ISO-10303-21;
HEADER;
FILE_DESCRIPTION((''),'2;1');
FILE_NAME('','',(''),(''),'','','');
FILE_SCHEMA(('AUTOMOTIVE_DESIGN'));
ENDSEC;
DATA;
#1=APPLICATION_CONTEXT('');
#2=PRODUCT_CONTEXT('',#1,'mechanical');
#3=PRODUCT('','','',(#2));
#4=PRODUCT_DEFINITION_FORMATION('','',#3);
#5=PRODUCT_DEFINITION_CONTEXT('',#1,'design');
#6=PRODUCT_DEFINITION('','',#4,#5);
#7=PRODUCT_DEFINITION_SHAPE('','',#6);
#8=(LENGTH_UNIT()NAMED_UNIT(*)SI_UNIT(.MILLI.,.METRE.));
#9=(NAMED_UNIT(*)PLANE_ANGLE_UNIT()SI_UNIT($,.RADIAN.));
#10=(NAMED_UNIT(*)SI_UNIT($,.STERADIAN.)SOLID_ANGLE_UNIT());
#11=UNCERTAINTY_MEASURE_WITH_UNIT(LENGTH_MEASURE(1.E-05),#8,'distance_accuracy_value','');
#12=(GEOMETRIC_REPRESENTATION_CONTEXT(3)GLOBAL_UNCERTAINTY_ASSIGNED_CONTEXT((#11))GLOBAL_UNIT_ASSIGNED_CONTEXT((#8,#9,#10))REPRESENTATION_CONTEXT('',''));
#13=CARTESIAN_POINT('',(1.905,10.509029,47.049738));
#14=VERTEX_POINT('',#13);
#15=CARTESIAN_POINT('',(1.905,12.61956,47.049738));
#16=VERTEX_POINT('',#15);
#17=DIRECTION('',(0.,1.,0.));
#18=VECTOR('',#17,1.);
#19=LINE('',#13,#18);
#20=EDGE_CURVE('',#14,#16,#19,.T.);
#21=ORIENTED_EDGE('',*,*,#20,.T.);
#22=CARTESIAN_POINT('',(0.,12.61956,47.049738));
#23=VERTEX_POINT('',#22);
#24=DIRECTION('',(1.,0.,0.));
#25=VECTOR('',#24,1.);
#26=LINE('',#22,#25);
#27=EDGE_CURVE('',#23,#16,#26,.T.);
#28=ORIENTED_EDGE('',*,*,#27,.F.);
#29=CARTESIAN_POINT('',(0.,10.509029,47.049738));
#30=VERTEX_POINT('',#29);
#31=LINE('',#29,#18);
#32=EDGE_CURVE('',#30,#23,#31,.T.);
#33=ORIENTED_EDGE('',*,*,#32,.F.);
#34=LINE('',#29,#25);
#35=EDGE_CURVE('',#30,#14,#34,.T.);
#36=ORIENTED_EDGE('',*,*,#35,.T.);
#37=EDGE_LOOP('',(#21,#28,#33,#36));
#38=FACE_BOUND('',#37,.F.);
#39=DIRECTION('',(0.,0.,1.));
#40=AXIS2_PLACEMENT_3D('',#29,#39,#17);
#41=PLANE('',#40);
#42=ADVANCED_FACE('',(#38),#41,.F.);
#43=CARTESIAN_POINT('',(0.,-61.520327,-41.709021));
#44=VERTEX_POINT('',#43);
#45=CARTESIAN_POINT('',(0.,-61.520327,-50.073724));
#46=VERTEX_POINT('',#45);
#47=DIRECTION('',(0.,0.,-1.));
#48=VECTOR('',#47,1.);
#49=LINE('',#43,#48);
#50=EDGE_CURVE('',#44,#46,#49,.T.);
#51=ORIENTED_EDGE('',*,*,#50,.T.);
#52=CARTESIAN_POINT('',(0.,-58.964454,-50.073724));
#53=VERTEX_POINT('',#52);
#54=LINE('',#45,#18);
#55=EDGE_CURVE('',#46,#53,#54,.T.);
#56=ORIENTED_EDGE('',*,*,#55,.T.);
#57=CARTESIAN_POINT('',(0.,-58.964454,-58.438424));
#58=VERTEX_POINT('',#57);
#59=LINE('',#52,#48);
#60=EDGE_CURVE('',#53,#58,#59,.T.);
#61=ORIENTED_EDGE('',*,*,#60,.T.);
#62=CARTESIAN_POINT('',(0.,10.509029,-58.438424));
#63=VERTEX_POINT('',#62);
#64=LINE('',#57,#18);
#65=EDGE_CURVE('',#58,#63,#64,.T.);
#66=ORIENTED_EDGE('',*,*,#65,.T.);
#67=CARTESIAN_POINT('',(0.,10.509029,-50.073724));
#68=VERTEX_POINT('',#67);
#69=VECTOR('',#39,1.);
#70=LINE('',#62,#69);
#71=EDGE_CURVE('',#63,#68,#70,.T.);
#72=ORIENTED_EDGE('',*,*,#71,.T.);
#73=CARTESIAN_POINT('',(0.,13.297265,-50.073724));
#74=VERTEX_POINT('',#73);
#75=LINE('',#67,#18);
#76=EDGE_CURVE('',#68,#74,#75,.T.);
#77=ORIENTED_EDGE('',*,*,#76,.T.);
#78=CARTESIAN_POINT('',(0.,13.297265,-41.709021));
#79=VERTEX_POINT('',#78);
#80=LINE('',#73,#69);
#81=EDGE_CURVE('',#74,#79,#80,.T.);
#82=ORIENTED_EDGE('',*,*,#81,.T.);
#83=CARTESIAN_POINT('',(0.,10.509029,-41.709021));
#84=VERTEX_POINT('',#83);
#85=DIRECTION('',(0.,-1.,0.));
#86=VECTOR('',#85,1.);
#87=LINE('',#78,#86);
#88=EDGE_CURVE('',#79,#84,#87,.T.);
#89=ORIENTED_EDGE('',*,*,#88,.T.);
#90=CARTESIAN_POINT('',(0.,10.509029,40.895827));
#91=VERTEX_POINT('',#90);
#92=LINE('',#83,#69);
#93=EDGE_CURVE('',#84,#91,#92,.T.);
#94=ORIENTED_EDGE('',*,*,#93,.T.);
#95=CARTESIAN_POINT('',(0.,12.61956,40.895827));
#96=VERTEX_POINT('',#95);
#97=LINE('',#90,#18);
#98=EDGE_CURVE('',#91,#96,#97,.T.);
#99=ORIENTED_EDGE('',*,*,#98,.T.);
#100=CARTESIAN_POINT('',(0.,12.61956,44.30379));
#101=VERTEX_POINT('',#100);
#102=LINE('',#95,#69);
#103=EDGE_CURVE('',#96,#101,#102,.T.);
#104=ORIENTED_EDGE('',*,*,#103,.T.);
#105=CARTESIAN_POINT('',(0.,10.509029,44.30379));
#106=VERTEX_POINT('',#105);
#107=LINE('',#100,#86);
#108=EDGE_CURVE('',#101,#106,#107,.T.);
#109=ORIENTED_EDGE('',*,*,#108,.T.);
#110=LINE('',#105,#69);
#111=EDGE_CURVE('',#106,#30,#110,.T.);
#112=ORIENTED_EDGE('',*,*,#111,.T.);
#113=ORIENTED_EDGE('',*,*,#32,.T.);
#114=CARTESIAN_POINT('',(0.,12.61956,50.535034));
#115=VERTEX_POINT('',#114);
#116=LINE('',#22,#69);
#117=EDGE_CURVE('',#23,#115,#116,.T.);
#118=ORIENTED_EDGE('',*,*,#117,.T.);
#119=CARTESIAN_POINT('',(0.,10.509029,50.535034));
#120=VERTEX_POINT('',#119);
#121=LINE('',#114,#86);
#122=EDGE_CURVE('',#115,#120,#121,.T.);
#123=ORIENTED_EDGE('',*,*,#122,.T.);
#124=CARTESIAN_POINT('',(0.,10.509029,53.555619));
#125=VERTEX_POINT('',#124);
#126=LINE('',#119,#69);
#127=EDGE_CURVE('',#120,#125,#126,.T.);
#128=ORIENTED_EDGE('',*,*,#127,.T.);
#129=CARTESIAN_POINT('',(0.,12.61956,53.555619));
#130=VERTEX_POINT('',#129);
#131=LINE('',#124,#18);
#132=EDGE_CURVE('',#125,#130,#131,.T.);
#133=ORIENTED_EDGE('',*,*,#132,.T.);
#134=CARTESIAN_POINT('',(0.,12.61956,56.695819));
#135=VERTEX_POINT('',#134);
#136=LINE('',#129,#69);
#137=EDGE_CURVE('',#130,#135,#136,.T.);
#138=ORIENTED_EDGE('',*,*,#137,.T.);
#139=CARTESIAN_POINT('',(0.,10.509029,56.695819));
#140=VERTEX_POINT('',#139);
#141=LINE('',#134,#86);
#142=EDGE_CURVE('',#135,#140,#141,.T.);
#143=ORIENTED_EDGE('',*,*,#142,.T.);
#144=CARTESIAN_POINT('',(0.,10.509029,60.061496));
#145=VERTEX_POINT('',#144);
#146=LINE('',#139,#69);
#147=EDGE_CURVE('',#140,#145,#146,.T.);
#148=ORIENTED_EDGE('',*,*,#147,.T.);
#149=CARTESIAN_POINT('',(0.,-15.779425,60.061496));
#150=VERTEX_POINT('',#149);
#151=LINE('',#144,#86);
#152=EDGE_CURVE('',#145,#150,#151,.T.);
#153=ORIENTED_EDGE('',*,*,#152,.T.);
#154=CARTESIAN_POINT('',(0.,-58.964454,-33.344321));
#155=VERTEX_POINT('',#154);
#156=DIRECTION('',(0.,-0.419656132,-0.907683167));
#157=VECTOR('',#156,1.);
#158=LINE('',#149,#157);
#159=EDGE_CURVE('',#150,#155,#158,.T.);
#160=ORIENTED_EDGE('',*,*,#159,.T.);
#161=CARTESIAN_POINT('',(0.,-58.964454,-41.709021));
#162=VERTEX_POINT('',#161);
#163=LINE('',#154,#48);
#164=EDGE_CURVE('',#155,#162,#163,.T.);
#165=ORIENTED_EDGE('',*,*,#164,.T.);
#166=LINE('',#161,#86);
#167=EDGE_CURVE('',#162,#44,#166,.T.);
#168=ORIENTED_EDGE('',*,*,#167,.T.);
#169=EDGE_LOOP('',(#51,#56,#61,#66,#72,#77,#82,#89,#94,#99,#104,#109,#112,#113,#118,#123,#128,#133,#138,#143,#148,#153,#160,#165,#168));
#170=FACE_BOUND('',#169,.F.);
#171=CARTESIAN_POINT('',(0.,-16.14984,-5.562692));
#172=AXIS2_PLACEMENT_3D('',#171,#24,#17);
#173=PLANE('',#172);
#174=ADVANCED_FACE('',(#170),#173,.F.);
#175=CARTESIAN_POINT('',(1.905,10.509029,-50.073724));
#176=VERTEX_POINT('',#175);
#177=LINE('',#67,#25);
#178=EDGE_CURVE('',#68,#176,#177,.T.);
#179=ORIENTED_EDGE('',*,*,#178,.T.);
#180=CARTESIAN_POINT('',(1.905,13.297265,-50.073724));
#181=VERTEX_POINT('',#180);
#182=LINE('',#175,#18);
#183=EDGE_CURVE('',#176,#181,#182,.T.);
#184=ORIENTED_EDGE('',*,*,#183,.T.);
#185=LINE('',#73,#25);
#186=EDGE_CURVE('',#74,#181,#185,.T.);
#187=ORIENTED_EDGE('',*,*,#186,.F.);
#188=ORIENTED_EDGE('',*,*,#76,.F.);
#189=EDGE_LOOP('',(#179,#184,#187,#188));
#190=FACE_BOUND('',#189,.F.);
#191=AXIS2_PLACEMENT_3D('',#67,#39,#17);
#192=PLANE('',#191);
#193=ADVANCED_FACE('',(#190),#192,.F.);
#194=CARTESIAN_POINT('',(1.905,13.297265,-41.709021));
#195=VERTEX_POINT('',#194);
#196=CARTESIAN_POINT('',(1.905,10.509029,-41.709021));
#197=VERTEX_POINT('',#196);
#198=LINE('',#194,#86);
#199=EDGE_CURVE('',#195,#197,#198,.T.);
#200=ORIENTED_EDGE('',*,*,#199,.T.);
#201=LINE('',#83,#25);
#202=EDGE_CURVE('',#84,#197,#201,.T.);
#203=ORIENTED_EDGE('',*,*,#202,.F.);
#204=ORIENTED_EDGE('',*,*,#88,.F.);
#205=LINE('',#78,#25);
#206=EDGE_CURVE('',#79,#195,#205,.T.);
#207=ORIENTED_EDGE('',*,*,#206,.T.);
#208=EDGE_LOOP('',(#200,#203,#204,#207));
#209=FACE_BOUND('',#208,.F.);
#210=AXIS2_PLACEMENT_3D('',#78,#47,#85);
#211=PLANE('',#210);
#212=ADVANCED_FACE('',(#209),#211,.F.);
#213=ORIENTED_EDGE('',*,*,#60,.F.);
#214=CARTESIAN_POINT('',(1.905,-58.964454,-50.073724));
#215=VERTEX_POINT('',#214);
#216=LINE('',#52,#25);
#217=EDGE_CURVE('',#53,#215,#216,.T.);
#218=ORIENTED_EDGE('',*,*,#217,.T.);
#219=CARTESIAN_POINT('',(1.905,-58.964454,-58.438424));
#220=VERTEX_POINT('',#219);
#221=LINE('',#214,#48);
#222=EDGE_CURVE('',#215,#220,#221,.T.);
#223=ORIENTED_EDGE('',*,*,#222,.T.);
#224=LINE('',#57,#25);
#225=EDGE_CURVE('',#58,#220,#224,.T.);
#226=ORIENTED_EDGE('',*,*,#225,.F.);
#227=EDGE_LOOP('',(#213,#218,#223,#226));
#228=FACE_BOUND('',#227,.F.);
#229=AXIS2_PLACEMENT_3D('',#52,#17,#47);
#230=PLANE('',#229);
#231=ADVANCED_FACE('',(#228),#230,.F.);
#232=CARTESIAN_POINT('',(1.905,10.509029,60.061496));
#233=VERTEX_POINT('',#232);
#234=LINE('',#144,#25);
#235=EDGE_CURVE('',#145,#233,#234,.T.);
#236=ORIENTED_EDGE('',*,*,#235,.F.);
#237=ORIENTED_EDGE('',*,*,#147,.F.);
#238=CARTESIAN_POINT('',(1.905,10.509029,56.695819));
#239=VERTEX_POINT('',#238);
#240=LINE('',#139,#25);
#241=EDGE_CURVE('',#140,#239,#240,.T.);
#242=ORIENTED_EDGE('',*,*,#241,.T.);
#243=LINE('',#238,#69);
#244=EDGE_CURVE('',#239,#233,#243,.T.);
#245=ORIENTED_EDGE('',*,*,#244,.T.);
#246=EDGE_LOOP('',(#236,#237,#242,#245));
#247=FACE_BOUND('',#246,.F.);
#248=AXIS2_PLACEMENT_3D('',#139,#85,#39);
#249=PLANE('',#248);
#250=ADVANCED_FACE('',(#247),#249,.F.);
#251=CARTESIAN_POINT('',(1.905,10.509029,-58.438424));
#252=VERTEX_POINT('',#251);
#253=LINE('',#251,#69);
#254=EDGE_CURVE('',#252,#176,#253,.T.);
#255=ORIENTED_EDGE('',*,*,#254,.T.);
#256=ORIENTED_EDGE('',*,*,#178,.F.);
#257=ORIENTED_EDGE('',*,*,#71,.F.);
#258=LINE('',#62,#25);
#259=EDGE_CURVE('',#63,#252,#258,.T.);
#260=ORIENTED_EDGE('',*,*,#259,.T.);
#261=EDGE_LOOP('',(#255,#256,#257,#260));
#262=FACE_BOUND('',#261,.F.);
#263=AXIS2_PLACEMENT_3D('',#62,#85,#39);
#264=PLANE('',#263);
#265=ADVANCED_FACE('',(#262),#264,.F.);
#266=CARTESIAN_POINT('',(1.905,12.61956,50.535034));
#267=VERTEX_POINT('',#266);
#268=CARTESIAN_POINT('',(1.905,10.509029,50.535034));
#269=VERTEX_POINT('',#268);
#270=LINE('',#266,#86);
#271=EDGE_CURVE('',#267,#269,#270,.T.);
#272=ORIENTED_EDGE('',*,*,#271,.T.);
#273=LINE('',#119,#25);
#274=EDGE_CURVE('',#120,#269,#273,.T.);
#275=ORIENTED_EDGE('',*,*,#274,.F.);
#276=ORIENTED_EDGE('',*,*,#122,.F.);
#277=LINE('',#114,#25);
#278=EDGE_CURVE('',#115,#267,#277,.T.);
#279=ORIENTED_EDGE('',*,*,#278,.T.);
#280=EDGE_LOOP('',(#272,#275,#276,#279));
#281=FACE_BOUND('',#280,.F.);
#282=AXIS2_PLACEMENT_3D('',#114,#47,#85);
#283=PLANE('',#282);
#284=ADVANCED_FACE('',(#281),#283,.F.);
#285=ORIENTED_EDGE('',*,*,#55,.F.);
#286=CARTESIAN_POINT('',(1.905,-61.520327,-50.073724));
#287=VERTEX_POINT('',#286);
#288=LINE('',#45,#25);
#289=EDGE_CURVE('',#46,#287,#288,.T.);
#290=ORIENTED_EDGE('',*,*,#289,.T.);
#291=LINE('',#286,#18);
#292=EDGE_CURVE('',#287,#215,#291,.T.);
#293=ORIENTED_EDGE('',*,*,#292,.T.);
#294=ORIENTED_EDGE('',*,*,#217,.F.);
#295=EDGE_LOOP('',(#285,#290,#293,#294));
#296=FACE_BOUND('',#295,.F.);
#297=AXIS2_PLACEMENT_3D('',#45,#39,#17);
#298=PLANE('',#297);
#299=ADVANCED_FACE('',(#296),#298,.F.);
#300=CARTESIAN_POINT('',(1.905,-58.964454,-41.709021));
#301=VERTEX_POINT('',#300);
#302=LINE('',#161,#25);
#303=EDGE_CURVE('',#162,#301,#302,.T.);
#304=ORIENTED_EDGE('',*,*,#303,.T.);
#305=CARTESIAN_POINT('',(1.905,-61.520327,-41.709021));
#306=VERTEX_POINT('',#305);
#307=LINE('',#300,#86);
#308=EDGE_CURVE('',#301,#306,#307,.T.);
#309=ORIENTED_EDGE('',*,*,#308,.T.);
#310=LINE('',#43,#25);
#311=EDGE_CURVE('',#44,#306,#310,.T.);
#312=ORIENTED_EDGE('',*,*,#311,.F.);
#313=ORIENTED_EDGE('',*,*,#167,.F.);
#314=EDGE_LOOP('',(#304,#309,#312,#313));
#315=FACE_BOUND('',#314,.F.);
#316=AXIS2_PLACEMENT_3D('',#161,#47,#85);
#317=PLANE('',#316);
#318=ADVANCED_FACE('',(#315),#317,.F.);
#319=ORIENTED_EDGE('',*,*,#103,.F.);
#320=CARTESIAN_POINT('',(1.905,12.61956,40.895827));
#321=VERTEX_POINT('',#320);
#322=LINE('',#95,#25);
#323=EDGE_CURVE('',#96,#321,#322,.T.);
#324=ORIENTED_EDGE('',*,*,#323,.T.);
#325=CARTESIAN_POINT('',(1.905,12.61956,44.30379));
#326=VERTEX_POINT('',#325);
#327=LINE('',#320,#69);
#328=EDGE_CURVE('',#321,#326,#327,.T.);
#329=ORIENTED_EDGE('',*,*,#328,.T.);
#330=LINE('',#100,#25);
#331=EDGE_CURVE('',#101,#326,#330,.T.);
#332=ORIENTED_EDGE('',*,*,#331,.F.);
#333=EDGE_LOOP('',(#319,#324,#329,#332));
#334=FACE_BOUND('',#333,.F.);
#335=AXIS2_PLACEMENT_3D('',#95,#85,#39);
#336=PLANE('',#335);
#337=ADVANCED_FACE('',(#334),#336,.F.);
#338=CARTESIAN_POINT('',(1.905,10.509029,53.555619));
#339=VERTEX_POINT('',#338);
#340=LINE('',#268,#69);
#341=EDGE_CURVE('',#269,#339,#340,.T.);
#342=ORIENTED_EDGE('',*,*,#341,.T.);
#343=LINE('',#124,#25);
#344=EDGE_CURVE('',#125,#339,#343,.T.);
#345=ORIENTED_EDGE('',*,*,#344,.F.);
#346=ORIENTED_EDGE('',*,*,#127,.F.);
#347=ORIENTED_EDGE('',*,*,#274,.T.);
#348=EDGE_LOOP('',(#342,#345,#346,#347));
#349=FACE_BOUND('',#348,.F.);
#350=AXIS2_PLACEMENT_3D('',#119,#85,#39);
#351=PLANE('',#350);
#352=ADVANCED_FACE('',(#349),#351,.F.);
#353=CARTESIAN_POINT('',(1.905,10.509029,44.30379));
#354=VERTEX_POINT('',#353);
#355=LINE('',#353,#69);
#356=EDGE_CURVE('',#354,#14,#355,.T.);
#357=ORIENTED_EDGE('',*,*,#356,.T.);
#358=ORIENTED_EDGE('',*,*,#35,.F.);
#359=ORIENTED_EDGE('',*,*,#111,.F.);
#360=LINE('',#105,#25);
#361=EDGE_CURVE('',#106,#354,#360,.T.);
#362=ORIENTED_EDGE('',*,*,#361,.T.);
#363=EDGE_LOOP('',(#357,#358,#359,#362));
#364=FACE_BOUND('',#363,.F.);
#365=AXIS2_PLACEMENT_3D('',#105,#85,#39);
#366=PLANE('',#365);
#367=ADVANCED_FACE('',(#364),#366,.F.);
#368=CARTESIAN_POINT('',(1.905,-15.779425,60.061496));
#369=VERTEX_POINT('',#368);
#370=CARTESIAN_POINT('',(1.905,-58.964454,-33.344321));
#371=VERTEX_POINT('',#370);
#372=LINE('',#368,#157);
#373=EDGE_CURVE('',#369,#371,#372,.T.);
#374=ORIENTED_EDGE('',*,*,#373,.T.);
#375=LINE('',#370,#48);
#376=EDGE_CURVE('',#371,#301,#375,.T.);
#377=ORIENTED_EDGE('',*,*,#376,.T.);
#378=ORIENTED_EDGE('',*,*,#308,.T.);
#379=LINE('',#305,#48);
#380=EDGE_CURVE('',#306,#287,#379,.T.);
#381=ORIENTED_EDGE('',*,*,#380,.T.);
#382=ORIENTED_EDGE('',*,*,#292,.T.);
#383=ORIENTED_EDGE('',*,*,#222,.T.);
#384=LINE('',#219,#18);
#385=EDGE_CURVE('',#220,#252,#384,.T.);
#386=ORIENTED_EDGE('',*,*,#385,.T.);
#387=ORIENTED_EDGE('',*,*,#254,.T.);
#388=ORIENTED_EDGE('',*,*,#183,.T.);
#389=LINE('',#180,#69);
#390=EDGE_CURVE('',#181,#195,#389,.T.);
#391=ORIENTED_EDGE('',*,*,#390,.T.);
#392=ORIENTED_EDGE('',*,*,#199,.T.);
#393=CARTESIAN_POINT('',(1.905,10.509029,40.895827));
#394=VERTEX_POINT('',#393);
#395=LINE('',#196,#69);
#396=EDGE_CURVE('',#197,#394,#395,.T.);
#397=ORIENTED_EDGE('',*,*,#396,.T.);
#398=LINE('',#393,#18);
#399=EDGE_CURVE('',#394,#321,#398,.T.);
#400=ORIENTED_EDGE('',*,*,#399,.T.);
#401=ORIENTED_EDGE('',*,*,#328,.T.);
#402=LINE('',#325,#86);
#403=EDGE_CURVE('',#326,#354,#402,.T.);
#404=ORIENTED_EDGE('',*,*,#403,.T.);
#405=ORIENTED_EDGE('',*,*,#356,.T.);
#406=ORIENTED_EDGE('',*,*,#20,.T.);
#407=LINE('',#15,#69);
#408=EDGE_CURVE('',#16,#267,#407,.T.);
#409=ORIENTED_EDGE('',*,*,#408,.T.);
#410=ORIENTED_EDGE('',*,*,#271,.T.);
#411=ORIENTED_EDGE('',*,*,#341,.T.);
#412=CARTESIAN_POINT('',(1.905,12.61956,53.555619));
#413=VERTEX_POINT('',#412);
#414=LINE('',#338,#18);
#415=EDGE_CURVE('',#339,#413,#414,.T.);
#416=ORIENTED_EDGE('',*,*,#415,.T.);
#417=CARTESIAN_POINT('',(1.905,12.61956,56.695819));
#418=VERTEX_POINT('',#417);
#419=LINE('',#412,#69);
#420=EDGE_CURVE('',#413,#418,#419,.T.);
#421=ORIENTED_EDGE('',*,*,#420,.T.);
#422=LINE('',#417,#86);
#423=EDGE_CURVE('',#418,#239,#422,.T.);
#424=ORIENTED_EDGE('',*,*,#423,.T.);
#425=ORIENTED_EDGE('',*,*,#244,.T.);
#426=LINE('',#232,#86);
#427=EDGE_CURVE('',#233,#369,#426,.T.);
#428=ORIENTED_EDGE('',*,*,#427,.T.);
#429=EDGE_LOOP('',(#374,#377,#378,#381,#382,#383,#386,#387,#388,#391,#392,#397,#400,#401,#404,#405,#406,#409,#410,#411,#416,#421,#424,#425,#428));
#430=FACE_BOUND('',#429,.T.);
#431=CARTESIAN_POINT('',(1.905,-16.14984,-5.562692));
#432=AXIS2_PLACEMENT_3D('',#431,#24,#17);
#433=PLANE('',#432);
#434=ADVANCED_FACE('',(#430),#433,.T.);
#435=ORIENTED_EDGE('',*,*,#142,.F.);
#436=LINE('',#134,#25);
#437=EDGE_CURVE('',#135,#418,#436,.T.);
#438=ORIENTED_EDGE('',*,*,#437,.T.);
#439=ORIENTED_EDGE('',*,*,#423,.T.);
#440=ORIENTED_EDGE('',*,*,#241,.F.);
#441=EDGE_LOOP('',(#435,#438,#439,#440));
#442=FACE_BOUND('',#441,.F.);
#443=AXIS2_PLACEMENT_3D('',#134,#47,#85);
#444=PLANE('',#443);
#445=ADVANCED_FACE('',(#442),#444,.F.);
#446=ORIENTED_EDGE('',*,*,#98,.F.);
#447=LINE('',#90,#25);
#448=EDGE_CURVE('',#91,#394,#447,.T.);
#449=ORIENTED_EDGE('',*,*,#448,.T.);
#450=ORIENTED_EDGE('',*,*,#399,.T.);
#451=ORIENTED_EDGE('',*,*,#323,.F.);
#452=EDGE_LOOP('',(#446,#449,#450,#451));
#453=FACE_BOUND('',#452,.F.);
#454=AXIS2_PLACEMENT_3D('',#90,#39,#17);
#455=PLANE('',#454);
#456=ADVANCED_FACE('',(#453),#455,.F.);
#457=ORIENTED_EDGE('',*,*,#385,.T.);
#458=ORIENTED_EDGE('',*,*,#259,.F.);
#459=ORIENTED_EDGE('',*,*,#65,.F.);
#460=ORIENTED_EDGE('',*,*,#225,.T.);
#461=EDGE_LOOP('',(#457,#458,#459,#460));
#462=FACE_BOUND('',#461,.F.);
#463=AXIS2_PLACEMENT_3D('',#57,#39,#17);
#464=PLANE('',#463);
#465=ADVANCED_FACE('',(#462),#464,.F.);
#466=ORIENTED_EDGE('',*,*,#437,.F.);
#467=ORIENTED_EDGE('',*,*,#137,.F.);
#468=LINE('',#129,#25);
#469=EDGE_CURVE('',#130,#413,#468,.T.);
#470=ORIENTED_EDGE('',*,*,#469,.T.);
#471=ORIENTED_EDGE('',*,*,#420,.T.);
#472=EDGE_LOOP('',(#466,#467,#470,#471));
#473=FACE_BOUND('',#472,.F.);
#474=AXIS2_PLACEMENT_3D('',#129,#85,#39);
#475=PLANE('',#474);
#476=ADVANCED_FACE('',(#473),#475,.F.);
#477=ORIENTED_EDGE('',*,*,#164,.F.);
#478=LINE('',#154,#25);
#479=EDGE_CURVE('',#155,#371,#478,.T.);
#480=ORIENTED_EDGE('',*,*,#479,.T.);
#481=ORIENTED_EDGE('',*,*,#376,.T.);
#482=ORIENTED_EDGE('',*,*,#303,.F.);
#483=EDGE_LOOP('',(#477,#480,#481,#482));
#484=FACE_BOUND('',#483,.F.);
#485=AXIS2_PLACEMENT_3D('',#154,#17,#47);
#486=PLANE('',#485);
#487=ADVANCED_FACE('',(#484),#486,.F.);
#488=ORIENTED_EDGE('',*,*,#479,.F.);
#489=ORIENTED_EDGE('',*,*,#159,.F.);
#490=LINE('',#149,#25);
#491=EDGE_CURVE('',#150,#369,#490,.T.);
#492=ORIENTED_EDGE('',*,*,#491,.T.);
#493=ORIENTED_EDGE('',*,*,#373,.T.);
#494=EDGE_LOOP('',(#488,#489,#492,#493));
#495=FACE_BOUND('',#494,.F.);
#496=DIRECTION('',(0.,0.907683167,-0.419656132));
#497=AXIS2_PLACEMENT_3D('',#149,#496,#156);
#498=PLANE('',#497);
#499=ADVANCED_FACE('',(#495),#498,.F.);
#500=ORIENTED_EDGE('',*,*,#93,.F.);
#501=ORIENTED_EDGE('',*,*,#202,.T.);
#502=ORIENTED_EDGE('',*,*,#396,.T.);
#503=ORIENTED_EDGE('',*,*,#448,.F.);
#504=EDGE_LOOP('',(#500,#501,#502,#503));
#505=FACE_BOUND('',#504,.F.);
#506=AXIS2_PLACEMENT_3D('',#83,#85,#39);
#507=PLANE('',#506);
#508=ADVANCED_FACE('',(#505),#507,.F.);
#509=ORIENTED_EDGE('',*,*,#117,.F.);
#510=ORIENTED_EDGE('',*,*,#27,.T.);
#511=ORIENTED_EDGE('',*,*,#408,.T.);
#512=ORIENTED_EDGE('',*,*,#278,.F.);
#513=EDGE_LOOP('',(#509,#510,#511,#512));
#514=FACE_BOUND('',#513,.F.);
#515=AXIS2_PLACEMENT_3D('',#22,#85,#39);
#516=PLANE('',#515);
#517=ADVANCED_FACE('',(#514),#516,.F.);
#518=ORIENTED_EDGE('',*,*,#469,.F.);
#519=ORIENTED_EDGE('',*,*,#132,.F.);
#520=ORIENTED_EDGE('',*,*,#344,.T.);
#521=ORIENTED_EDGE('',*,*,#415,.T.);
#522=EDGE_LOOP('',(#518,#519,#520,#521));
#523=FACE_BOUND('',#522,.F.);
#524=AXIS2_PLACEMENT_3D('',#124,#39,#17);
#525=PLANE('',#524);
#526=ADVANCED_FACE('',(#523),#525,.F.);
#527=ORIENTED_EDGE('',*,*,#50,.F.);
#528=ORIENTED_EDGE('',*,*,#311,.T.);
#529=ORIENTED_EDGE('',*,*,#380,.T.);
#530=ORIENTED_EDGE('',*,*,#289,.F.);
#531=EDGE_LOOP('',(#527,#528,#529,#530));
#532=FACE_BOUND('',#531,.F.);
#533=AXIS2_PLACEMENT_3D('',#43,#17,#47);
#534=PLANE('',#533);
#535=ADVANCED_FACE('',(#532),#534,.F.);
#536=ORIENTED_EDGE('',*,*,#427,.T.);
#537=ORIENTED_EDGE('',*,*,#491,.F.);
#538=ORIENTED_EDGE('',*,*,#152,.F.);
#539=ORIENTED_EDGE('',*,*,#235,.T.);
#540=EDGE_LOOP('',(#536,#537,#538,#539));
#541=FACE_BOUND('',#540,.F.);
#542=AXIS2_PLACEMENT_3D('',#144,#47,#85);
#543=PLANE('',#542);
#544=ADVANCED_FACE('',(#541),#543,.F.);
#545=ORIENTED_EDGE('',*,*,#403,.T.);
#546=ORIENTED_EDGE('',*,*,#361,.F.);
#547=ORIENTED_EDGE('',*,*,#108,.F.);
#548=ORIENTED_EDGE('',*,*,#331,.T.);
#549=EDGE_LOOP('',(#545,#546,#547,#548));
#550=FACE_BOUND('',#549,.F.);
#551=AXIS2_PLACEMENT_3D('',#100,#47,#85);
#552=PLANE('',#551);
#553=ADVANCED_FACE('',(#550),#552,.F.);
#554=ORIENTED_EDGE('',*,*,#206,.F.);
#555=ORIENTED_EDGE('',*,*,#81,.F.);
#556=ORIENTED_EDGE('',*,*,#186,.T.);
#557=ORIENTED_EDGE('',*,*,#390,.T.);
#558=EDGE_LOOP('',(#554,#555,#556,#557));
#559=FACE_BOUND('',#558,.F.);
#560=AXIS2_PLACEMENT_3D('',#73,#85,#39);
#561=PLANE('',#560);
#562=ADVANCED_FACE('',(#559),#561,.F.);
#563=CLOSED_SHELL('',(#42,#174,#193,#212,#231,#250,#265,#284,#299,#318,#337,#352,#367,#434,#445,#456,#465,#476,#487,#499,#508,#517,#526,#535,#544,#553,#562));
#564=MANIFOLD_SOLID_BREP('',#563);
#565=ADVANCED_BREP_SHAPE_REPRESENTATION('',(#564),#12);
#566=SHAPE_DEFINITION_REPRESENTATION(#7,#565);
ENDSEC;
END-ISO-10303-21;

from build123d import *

# Parameters (mm, degrees)
F1_DEPTH = 1.905


with BuildPart() as f1:
    # F0 (on Right) → F1 (new body)
    with BuildSketch(Plane.YZ):
        Polygon((10.509029, 56.695819), (10.509029, 60.061496), (-15.779425, 60.061496), (-58.964454, -33.344321), (-58.964454, -41.709021), (-61.520327, -41.709021), (-61.520327, -50.073724), (-58.964454, -50.073724), (-58.964454, -58.438424), (10.509029, -58.438424), (10.509029, -50.073724), (13.297265, -50.073724), (13.297265, -41.709021), (10.509029, -41.709021), (10.509029, 40.895827), (12.61956, 40.895827), (12.61956, 44.30379), (10.509029, 44.30379), (10.509029, 47.049738), (12.61956, 47.049738), (12.61956, 50.535034), (10.509029, 50.535034), (10.509029, 53.555619), (12.61956, 53.555619), (12.61956, 56.695819), align=None)
    extrude(amount=F1_DEPTH)


solid = f1.part
